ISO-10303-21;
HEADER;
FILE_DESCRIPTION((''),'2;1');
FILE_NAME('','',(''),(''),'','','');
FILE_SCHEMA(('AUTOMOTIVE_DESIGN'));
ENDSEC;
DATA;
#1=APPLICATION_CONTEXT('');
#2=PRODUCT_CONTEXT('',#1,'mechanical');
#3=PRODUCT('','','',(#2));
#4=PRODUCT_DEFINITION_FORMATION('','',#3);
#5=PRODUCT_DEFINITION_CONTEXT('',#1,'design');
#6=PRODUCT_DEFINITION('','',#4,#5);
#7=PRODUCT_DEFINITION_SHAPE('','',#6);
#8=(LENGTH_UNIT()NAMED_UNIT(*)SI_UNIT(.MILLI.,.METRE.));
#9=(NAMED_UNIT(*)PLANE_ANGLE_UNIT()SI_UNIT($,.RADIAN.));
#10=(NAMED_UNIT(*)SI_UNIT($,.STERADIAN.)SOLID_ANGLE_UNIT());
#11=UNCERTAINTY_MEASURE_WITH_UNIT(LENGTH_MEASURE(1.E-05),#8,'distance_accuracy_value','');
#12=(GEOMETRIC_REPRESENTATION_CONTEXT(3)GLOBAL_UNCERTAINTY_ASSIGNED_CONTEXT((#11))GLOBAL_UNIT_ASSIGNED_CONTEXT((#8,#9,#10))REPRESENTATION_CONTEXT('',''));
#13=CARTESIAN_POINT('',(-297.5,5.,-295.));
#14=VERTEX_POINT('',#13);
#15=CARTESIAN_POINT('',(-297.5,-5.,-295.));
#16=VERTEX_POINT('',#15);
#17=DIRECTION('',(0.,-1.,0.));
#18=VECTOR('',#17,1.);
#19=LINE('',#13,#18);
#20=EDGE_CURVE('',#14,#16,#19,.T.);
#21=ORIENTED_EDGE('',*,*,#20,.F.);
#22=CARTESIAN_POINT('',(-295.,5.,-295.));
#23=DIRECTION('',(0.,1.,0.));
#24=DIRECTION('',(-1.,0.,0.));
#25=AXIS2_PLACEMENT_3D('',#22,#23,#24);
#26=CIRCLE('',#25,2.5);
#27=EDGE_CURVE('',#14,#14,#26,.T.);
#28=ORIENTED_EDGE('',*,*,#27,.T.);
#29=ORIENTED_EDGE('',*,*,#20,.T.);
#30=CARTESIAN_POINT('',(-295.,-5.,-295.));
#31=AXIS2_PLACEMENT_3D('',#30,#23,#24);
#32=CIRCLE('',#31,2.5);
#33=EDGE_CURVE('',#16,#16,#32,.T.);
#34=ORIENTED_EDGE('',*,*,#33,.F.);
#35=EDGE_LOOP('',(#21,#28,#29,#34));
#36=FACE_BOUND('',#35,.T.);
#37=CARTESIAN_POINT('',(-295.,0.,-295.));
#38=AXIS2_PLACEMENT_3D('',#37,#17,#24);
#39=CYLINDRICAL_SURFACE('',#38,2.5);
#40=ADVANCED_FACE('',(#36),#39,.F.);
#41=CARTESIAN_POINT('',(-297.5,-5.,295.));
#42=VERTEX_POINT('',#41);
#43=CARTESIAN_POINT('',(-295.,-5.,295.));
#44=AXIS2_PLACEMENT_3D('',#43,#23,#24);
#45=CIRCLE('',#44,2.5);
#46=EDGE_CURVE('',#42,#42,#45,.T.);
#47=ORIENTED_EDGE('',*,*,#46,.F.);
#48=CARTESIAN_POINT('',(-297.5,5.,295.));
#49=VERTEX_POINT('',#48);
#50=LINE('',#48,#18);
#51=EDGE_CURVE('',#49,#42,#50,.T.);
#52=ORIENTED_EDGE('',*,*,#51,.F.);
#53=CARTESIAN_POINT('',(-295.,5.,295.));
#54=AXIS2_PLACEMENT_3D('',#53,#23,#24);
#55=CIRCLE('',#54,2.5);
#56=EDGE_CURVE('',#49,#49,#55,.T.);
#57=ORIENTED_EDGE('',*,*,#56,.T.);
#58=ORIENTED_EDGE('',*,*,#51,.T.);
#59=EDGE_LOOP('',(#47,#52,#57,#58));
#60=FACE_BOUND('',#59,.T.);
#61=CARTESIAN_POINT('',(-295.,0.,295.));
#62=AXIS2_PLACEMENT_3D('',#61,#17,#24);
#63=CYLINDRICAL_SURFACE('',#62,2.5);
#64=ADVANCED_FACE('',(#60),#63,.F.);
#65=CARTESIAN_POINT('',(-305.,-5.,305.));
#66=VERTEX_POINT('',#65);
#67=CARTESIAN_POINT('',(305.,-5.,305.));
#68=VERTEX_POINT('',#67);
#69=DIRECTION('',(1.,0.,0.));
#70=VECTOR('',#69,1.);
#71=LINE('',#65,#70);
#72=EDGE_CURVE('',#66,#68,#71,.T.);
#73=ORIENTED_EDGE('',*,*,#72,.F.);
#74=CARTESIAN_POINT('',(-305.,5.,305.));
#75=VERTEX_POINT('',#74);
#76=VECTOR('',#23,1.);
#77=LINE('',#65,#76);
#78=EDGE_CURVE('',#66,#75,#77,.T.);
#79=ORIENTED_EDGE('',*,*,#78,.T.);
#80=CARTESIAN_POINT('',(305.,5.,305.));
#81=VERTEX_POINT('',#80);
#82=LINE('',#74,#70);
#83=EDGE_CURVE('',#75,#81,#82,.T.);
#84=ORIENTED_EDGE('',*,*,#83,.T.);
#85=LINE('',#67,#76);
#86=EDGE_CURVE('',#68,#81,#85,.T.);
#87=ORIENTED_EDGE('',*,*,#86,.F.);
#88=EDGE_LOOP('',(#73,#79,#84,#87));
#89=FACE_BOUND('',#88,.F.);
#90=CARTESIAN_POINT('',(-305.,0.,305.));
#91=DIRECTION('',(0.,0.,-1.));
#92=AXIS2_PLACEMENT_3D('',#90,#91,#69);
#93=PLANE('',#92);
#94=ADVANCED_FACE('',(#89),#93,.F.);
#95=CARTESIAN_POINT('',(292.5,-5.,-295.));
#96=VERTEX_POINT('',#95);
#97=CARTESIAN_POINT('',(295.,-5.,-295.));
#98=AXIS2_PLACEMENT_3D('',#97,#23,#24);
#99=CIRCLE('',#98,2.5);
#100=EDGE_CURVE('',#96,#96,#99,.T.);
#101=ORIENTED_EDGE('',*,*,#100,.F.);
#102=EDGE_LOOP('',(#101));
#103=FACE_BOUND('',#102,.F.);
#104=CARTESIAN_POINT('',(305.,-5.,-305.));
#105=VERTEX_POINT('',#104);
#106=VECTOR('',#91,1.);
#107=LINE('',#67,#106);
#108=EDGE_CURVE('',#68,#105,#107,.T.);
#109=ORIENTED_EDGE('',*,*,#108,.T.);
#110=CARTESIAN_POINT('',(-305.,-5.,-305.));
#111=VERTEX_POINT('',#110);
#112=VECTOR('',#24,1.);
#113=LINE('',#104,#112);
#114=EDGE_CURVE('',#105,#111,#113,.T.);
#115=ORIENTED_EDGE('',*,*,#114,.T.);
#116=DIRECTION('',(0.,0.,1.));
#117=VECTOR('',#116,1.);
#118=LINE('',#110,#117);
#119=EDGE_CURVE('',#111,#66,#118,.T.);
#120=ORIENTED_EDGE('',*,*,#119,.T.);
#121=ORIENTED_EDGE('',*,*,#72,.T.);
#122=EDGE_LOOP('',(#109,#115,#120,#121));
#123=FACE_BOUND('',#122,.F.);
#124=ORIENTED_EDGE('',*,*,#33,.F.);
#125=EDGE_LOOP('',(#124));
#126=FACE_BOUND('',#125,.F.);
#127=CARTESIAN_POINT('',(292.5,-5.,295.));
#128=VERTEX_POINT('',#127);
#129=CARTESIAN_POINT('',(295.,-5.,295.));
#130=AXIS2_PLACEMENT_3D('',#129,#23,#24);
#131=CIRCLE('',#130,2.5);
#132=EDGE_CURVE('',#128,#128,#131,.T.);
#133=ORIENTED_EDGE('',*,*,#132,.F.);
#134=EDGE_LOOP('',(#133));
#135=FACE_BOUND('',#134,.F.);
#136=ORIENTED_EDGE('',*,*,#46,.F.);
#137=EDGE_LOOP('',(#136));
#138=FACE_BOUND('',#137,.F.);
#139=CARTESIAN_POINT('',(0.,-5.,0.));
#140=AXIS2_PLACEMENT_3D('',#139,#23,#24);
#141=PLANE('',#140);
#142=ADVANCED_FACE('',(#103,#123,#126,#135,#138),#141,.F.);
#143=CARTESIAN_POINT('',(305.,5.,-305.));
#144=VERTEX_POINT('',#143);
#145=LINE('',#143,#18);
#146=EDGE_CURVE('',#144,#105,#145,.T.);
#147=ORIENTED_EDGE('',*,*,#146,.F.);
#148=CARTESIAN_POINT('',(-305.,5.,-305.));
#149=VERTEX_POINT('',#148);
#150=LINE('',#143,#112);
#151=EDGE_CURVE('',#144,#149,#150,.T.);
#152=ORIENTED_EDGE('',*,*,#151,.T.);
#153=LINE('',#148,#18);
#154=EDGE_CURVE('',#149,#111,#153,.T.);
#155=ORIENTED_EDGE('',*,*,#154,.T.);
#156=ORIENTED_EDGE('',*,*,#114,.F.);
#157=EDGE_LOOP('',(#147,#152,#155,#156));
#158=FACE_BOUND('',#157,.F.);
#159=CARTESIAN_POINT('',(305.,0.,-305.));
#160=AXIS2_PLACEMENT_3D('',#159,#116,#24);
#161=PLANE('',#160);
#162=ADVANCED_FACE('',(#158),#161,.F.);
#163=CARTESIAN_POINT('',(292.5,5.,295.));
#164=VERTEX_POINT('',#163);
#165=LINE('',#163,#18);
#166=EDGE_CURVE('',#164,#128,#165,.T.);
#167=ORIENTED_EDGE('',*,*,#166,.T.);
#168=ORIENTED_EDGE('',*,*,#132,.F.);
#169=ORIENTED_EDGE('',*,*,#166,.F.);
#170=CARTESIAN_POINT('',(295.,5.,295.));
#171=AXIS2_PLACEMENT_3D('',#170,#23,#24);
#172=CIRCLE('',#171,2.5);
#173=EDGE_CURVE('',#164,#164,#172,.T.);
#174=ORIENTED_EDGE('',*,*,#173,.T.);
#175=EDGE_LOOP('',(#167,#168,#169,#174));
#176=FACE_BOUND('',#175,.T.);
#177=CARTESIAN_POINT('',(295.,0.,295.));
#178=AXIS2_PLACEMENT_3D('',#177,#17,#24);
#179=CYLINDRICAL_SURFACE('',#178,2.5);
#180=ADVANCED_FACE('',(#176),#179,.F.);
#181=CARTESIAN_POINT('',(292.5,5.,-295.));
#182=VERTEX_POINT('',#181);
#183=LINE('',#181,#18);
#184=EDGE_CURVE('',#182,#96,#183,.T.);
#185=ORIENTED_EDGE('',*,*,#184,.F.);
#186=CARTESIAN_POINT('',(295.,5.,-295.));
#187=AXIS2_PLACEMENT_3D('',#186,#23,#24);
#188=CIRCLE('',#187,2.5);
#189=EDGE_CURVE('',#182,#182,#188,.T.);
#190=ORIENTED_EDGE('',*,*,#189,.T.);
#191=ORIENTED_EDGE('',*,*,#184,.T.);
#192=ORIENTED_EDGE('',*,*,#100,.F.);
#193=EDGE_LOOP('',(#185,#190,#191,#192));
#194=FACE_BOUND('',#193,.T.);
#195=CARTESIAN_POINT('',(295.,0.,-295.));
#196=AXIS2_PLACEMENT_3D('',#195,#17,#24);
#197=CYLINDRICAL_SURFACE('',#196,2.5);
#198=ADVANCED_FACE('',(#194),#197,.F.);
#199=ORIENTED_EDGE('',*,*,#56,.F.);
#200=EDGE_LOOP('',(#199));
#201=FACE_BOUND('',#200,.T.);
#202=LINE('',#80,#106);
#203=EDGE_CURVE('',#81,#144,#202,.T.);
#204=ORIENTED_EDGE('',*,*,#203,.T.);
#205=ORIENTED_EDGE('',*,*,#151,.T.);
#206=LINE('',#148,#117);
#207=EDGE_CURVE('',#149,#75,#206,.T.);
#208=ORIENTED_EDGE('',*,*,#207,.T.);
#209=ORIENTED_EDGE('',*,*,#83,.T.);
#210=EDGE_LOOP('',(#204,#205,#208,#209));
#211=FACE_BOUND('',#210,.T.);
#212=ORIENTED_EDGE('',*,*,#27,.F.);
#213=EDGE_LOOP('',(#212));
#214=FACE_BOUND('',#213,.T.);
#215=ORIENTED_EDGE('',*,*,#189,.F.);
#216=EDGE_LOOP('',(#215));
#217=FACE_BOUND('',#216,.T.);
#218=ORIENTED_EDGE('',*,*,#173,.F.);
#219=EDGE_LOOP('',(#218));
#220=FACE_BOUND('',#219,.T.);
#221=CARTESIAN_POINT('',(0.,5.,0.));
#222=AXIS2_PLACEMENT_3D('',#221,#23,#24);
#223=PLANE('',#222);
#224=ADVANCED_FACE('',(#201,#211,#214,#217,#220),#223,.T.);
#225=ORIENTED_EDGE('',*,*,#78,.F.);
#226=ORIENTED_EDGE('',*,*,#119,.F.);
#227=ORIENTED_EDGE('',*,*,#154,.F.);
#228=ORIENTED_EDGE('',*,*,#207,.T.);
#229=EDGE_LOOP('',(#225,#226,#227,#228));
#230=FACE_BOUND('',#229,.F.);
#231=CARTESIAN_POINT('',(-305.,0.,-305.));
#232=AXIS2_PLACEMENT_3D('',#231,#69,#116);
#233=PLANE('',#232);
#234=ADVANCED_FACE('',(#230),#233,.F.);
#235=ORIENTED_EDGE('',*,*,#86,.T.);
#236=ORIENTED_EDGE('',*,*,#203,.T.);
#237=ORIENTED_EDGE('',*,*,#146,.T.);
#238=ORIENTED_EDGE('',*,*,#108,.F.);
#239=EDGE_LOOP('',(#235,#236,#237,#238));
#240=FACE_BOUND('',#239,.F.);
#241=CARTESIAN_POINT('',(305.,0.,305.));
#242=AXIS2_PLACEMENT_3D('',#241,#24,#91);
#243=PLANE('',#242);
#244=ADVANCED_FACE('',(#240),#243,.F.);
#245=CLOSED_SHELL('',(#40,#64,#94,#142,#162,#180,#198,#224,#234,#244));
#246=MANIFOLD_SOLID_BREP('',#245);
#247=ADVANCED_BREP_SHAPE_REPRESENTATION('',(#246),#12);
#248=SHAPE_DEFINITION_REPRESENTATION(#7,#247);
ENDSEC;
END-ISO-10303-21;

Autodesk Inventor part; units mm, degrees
ref_plane "YZ Plane" through (0, 0, 0) normal (1, 0, 0) x (0, 1, 0)
ref_plane "XZ Plane" through (0, 0, 0) normal (0, 1, 0) x (-1, 0, 0)
ref_plane "XY Plane" through (0, 0, 0) normal (0, 0, 1) x (1, 0, 0)
sketch "Sketch1" plane through (0, 0, 0) normal (0, 1, 0) x (-1, 0, 0)
  line L0 (305, 305) -> (-305, 305)
  line L1 (-305, 305) -> (-305, -305)
  line L2 (-305, -305) -> (305, -305)
  line L3 (305, -305) -> (305, 305)
  circle A0 centre (295, 295) radius 2.5
  circle A1 centre (295, -295) radius 2.5
  circle A2 centre (-295, -295) radius 2.5
  circle A3 centre (-295, 295) radius 2.5
  line L4 (295, 295) -> (295, -295) construction
  line L5 (295, -295) -> (-295, -295) construction
  point P0 (0, 0)
  point P1 (305, 0)
  point P2 (0, 305)
  point P3 (295, 0)
  point P4 (0, -295)
  dimension "d0" = 610
  dimension "d1" = 5
  dimension "d2" = 590
extrude "Entrecentellas" add sketch "Sketch1" along normal mid plane 10
properties part number "Soporte de matriz centelladora" material "Wood (Oak)"
